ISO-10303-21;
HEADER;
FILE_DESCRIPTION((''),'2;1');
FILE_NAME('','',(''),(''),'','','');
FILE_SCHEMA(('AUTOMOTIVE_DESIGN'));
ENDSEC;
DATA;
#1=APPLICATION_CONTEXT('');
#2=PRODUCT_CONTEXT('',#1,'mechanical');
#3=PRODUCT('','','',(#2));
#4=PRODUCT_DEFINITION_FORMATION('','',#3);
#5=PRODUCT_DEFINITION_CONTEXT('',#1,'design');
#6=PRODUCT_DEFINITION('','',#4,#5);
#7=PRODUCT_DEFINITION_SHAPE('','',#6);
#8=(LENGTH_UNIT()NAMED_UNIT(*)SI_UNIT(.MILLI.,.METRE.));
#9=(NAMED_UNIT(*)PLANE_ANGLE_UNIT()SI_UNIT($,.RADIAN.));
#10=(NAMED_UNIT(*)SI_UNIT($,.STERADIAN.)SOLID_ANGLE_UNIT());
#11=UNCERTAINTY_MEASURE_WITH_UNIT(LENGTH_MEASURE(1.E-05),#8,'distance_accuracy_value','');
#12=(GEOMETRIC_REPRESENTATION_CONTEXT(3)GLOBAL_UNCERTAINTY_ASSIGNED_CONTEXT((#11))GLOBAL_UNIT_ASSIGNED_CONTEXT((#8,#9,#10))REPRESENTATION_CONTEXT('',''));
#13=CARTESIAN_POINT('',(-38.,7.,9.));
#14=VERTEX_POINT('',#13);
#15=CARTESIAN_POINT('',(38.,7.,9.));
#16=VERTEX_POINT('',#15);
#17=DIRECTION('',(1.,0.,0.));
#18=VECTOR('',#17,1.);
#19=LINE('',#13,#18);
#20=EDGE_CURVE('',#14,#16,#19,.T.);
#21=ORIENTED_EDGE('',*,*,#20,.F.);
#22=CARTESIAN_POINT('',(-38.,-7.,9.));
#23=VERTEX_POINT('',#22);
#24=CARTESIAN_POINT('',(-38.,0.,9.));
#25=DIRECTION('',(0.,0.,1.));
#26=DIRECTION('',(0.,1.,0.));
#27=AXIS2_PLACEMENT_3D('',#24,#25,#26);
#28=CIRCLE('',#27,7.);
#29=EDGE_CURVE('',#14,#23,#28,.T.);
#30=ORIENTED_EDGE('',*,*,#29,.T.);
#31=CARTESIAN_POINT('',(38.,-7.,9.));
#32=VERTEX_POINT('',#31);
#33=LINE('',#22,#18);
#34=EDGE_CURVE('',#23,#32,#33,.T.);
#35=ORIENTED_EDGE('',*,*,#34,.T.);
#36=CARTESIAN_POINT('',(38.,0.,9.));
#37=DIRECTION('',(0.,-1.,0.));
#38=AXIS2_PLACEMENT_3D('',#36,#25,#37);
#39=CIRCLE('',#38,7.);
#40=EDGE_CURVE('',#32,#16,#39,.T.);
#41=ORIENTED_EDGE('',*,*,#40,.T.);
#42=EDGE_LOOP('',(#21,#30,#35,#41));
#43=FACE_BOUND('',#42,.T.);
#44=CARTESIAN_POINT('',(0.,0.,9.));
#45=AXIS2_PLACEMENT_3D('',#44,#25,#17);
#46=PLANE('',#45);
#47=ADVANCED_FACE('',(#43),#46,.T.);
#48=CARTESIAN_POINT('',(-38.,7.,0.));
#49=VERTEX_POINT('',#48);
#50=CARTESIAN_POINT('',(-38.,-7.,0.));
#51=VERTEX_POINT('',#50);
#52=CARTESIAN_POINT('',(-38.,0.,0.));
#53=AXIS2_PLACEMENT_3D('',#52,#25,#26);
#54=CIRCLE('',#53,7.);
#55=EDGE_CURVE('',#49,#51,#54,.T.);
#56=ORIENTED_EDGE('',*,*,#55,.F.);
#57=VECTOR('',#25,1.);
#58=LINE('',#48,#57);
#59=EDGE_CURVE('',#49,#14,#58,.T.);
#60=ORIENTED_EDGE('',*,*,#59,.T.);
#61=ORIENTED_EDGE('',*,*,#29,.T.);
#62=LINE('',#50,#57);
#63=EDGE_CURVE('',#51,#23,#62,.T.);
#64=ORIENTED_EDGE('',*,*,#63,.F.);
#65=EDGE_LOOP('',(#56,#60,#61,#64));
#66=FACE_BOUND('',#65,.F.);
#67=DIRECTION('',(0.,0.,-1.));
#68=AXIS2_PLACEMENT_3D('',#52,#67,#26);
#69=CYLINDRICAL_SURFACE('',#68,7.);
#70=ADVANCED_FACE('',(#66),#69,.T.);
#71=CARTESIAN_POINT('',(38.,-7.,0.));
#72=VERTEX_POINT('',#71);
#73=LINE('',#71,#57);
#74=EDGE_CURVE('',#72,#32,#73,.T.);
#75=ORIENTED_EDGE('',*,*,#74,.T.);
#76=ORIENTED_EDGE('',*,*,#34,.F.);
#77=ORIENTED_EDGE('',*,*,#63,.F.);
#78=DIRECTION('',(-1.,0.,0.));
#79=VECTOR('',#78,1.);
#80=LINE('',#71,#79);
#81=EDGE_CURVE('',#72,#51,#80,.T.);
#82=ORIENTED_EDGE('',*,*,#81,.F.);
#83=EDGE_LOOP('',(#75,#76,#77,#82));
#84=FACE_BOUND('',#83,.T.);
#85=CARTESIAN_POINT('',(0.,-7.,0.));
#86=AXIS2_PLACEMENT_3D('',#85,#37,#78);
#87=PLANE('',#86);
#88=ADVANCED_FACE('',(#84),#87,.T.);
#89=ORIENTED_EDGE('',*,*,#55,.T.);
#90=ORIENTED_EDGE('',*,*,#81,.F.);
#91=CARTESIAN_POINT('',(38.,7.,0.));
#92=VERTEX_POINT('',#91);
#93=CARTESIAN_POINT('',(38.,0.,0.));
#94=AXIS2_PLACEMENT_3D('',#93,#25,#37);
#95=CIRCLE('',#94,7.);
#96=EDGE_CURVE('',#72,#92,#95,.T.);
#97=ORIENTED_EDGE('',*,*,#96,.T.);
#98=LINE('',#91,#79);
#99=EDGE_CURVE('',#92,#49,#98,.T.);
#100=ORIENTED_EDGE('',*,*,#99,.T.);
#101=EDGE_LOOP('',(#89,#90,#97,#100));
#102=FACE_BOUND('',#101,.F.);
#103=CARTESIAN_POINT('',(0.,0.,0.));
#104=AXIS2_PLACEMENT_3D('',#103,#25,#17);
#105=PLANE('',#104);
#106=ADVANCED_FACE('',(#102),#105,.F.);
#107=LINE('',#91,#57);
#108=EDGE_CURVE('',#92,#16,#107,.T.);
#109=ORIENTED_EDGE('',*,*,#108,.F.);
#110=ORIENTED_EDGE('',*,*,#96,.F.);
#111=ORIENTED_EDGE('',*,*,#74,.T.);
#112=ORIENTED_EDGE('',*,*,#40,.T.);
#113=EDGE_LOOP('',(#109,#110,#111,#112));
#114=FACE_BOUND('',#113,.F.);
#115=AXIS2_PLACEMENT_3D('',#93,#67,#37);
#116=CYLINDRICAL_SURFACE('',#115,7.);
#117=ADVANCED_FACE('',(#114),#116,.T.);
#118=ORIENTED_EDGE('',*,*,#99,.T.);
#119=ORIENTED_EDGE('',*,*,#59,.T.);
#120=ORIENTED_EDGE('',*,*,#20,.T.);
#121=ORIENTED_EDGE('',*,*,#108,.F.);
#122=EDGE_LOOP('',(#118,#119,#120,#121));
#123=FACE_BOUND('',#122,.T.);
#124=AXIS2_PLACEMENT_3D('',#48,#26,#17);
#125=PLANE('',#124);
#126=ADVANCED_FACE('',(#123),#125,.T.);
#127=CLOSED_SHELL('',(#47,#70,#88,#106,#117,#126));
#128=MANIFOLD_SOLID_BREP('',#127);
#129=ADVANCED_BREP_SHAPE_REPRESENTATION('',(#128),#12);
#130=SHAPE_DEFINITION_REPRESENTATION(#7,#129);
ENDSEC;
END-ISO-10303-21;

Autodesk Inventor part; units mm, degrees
ref_plane "YZ Plane" through (0, 0, 0) normal (1, 0, 0) x (0, 1, 0)
ref_plane "XZ Plane" through (0, 0, 0) normal (0, 1, 0) x (-1, 0, 0)
ref_plane "XY Plane" through (0, 0, 0) normal (0, 0, 1) x (1, 0, 0)
sketch "草图1" plane through (0, 0, 0) normal (0, 0, 1) x (1, 0, 0)
  line L0 (-45, 7) -> (45, 7) projected
  arc A0 (-45, 7) -> (-45, -7) centre (-45, 0) ccw projected
  line L1 (45, -7) -> (-45, -7) projected
  arc A1 (45, -7) -> (45, 7) centre (45, 0) ccw projected
  line L2 (-38, 0) -> (38, 0) construction
  line L3 (-38, -7) -> (38, -7)
  line L4 (38, 7) -> (-38, 7)
  arc A2 (-38, 7) -> (-38, -7) centre (-38, 0) ccw
  arc A3 (38, -7) -> (38, 7) centre (38, 0) ccw
  line L5 (0, 9.8) -> (0, -9.8) projected
  point P0 (0, 0)
  dimension "d2" = 90
  dimension "d3" = 7
extrude "拉伸2" add sketch "草图1" along normal blind 9 contours L0 L5 L1 A2 | L0 A3 L1 L5
